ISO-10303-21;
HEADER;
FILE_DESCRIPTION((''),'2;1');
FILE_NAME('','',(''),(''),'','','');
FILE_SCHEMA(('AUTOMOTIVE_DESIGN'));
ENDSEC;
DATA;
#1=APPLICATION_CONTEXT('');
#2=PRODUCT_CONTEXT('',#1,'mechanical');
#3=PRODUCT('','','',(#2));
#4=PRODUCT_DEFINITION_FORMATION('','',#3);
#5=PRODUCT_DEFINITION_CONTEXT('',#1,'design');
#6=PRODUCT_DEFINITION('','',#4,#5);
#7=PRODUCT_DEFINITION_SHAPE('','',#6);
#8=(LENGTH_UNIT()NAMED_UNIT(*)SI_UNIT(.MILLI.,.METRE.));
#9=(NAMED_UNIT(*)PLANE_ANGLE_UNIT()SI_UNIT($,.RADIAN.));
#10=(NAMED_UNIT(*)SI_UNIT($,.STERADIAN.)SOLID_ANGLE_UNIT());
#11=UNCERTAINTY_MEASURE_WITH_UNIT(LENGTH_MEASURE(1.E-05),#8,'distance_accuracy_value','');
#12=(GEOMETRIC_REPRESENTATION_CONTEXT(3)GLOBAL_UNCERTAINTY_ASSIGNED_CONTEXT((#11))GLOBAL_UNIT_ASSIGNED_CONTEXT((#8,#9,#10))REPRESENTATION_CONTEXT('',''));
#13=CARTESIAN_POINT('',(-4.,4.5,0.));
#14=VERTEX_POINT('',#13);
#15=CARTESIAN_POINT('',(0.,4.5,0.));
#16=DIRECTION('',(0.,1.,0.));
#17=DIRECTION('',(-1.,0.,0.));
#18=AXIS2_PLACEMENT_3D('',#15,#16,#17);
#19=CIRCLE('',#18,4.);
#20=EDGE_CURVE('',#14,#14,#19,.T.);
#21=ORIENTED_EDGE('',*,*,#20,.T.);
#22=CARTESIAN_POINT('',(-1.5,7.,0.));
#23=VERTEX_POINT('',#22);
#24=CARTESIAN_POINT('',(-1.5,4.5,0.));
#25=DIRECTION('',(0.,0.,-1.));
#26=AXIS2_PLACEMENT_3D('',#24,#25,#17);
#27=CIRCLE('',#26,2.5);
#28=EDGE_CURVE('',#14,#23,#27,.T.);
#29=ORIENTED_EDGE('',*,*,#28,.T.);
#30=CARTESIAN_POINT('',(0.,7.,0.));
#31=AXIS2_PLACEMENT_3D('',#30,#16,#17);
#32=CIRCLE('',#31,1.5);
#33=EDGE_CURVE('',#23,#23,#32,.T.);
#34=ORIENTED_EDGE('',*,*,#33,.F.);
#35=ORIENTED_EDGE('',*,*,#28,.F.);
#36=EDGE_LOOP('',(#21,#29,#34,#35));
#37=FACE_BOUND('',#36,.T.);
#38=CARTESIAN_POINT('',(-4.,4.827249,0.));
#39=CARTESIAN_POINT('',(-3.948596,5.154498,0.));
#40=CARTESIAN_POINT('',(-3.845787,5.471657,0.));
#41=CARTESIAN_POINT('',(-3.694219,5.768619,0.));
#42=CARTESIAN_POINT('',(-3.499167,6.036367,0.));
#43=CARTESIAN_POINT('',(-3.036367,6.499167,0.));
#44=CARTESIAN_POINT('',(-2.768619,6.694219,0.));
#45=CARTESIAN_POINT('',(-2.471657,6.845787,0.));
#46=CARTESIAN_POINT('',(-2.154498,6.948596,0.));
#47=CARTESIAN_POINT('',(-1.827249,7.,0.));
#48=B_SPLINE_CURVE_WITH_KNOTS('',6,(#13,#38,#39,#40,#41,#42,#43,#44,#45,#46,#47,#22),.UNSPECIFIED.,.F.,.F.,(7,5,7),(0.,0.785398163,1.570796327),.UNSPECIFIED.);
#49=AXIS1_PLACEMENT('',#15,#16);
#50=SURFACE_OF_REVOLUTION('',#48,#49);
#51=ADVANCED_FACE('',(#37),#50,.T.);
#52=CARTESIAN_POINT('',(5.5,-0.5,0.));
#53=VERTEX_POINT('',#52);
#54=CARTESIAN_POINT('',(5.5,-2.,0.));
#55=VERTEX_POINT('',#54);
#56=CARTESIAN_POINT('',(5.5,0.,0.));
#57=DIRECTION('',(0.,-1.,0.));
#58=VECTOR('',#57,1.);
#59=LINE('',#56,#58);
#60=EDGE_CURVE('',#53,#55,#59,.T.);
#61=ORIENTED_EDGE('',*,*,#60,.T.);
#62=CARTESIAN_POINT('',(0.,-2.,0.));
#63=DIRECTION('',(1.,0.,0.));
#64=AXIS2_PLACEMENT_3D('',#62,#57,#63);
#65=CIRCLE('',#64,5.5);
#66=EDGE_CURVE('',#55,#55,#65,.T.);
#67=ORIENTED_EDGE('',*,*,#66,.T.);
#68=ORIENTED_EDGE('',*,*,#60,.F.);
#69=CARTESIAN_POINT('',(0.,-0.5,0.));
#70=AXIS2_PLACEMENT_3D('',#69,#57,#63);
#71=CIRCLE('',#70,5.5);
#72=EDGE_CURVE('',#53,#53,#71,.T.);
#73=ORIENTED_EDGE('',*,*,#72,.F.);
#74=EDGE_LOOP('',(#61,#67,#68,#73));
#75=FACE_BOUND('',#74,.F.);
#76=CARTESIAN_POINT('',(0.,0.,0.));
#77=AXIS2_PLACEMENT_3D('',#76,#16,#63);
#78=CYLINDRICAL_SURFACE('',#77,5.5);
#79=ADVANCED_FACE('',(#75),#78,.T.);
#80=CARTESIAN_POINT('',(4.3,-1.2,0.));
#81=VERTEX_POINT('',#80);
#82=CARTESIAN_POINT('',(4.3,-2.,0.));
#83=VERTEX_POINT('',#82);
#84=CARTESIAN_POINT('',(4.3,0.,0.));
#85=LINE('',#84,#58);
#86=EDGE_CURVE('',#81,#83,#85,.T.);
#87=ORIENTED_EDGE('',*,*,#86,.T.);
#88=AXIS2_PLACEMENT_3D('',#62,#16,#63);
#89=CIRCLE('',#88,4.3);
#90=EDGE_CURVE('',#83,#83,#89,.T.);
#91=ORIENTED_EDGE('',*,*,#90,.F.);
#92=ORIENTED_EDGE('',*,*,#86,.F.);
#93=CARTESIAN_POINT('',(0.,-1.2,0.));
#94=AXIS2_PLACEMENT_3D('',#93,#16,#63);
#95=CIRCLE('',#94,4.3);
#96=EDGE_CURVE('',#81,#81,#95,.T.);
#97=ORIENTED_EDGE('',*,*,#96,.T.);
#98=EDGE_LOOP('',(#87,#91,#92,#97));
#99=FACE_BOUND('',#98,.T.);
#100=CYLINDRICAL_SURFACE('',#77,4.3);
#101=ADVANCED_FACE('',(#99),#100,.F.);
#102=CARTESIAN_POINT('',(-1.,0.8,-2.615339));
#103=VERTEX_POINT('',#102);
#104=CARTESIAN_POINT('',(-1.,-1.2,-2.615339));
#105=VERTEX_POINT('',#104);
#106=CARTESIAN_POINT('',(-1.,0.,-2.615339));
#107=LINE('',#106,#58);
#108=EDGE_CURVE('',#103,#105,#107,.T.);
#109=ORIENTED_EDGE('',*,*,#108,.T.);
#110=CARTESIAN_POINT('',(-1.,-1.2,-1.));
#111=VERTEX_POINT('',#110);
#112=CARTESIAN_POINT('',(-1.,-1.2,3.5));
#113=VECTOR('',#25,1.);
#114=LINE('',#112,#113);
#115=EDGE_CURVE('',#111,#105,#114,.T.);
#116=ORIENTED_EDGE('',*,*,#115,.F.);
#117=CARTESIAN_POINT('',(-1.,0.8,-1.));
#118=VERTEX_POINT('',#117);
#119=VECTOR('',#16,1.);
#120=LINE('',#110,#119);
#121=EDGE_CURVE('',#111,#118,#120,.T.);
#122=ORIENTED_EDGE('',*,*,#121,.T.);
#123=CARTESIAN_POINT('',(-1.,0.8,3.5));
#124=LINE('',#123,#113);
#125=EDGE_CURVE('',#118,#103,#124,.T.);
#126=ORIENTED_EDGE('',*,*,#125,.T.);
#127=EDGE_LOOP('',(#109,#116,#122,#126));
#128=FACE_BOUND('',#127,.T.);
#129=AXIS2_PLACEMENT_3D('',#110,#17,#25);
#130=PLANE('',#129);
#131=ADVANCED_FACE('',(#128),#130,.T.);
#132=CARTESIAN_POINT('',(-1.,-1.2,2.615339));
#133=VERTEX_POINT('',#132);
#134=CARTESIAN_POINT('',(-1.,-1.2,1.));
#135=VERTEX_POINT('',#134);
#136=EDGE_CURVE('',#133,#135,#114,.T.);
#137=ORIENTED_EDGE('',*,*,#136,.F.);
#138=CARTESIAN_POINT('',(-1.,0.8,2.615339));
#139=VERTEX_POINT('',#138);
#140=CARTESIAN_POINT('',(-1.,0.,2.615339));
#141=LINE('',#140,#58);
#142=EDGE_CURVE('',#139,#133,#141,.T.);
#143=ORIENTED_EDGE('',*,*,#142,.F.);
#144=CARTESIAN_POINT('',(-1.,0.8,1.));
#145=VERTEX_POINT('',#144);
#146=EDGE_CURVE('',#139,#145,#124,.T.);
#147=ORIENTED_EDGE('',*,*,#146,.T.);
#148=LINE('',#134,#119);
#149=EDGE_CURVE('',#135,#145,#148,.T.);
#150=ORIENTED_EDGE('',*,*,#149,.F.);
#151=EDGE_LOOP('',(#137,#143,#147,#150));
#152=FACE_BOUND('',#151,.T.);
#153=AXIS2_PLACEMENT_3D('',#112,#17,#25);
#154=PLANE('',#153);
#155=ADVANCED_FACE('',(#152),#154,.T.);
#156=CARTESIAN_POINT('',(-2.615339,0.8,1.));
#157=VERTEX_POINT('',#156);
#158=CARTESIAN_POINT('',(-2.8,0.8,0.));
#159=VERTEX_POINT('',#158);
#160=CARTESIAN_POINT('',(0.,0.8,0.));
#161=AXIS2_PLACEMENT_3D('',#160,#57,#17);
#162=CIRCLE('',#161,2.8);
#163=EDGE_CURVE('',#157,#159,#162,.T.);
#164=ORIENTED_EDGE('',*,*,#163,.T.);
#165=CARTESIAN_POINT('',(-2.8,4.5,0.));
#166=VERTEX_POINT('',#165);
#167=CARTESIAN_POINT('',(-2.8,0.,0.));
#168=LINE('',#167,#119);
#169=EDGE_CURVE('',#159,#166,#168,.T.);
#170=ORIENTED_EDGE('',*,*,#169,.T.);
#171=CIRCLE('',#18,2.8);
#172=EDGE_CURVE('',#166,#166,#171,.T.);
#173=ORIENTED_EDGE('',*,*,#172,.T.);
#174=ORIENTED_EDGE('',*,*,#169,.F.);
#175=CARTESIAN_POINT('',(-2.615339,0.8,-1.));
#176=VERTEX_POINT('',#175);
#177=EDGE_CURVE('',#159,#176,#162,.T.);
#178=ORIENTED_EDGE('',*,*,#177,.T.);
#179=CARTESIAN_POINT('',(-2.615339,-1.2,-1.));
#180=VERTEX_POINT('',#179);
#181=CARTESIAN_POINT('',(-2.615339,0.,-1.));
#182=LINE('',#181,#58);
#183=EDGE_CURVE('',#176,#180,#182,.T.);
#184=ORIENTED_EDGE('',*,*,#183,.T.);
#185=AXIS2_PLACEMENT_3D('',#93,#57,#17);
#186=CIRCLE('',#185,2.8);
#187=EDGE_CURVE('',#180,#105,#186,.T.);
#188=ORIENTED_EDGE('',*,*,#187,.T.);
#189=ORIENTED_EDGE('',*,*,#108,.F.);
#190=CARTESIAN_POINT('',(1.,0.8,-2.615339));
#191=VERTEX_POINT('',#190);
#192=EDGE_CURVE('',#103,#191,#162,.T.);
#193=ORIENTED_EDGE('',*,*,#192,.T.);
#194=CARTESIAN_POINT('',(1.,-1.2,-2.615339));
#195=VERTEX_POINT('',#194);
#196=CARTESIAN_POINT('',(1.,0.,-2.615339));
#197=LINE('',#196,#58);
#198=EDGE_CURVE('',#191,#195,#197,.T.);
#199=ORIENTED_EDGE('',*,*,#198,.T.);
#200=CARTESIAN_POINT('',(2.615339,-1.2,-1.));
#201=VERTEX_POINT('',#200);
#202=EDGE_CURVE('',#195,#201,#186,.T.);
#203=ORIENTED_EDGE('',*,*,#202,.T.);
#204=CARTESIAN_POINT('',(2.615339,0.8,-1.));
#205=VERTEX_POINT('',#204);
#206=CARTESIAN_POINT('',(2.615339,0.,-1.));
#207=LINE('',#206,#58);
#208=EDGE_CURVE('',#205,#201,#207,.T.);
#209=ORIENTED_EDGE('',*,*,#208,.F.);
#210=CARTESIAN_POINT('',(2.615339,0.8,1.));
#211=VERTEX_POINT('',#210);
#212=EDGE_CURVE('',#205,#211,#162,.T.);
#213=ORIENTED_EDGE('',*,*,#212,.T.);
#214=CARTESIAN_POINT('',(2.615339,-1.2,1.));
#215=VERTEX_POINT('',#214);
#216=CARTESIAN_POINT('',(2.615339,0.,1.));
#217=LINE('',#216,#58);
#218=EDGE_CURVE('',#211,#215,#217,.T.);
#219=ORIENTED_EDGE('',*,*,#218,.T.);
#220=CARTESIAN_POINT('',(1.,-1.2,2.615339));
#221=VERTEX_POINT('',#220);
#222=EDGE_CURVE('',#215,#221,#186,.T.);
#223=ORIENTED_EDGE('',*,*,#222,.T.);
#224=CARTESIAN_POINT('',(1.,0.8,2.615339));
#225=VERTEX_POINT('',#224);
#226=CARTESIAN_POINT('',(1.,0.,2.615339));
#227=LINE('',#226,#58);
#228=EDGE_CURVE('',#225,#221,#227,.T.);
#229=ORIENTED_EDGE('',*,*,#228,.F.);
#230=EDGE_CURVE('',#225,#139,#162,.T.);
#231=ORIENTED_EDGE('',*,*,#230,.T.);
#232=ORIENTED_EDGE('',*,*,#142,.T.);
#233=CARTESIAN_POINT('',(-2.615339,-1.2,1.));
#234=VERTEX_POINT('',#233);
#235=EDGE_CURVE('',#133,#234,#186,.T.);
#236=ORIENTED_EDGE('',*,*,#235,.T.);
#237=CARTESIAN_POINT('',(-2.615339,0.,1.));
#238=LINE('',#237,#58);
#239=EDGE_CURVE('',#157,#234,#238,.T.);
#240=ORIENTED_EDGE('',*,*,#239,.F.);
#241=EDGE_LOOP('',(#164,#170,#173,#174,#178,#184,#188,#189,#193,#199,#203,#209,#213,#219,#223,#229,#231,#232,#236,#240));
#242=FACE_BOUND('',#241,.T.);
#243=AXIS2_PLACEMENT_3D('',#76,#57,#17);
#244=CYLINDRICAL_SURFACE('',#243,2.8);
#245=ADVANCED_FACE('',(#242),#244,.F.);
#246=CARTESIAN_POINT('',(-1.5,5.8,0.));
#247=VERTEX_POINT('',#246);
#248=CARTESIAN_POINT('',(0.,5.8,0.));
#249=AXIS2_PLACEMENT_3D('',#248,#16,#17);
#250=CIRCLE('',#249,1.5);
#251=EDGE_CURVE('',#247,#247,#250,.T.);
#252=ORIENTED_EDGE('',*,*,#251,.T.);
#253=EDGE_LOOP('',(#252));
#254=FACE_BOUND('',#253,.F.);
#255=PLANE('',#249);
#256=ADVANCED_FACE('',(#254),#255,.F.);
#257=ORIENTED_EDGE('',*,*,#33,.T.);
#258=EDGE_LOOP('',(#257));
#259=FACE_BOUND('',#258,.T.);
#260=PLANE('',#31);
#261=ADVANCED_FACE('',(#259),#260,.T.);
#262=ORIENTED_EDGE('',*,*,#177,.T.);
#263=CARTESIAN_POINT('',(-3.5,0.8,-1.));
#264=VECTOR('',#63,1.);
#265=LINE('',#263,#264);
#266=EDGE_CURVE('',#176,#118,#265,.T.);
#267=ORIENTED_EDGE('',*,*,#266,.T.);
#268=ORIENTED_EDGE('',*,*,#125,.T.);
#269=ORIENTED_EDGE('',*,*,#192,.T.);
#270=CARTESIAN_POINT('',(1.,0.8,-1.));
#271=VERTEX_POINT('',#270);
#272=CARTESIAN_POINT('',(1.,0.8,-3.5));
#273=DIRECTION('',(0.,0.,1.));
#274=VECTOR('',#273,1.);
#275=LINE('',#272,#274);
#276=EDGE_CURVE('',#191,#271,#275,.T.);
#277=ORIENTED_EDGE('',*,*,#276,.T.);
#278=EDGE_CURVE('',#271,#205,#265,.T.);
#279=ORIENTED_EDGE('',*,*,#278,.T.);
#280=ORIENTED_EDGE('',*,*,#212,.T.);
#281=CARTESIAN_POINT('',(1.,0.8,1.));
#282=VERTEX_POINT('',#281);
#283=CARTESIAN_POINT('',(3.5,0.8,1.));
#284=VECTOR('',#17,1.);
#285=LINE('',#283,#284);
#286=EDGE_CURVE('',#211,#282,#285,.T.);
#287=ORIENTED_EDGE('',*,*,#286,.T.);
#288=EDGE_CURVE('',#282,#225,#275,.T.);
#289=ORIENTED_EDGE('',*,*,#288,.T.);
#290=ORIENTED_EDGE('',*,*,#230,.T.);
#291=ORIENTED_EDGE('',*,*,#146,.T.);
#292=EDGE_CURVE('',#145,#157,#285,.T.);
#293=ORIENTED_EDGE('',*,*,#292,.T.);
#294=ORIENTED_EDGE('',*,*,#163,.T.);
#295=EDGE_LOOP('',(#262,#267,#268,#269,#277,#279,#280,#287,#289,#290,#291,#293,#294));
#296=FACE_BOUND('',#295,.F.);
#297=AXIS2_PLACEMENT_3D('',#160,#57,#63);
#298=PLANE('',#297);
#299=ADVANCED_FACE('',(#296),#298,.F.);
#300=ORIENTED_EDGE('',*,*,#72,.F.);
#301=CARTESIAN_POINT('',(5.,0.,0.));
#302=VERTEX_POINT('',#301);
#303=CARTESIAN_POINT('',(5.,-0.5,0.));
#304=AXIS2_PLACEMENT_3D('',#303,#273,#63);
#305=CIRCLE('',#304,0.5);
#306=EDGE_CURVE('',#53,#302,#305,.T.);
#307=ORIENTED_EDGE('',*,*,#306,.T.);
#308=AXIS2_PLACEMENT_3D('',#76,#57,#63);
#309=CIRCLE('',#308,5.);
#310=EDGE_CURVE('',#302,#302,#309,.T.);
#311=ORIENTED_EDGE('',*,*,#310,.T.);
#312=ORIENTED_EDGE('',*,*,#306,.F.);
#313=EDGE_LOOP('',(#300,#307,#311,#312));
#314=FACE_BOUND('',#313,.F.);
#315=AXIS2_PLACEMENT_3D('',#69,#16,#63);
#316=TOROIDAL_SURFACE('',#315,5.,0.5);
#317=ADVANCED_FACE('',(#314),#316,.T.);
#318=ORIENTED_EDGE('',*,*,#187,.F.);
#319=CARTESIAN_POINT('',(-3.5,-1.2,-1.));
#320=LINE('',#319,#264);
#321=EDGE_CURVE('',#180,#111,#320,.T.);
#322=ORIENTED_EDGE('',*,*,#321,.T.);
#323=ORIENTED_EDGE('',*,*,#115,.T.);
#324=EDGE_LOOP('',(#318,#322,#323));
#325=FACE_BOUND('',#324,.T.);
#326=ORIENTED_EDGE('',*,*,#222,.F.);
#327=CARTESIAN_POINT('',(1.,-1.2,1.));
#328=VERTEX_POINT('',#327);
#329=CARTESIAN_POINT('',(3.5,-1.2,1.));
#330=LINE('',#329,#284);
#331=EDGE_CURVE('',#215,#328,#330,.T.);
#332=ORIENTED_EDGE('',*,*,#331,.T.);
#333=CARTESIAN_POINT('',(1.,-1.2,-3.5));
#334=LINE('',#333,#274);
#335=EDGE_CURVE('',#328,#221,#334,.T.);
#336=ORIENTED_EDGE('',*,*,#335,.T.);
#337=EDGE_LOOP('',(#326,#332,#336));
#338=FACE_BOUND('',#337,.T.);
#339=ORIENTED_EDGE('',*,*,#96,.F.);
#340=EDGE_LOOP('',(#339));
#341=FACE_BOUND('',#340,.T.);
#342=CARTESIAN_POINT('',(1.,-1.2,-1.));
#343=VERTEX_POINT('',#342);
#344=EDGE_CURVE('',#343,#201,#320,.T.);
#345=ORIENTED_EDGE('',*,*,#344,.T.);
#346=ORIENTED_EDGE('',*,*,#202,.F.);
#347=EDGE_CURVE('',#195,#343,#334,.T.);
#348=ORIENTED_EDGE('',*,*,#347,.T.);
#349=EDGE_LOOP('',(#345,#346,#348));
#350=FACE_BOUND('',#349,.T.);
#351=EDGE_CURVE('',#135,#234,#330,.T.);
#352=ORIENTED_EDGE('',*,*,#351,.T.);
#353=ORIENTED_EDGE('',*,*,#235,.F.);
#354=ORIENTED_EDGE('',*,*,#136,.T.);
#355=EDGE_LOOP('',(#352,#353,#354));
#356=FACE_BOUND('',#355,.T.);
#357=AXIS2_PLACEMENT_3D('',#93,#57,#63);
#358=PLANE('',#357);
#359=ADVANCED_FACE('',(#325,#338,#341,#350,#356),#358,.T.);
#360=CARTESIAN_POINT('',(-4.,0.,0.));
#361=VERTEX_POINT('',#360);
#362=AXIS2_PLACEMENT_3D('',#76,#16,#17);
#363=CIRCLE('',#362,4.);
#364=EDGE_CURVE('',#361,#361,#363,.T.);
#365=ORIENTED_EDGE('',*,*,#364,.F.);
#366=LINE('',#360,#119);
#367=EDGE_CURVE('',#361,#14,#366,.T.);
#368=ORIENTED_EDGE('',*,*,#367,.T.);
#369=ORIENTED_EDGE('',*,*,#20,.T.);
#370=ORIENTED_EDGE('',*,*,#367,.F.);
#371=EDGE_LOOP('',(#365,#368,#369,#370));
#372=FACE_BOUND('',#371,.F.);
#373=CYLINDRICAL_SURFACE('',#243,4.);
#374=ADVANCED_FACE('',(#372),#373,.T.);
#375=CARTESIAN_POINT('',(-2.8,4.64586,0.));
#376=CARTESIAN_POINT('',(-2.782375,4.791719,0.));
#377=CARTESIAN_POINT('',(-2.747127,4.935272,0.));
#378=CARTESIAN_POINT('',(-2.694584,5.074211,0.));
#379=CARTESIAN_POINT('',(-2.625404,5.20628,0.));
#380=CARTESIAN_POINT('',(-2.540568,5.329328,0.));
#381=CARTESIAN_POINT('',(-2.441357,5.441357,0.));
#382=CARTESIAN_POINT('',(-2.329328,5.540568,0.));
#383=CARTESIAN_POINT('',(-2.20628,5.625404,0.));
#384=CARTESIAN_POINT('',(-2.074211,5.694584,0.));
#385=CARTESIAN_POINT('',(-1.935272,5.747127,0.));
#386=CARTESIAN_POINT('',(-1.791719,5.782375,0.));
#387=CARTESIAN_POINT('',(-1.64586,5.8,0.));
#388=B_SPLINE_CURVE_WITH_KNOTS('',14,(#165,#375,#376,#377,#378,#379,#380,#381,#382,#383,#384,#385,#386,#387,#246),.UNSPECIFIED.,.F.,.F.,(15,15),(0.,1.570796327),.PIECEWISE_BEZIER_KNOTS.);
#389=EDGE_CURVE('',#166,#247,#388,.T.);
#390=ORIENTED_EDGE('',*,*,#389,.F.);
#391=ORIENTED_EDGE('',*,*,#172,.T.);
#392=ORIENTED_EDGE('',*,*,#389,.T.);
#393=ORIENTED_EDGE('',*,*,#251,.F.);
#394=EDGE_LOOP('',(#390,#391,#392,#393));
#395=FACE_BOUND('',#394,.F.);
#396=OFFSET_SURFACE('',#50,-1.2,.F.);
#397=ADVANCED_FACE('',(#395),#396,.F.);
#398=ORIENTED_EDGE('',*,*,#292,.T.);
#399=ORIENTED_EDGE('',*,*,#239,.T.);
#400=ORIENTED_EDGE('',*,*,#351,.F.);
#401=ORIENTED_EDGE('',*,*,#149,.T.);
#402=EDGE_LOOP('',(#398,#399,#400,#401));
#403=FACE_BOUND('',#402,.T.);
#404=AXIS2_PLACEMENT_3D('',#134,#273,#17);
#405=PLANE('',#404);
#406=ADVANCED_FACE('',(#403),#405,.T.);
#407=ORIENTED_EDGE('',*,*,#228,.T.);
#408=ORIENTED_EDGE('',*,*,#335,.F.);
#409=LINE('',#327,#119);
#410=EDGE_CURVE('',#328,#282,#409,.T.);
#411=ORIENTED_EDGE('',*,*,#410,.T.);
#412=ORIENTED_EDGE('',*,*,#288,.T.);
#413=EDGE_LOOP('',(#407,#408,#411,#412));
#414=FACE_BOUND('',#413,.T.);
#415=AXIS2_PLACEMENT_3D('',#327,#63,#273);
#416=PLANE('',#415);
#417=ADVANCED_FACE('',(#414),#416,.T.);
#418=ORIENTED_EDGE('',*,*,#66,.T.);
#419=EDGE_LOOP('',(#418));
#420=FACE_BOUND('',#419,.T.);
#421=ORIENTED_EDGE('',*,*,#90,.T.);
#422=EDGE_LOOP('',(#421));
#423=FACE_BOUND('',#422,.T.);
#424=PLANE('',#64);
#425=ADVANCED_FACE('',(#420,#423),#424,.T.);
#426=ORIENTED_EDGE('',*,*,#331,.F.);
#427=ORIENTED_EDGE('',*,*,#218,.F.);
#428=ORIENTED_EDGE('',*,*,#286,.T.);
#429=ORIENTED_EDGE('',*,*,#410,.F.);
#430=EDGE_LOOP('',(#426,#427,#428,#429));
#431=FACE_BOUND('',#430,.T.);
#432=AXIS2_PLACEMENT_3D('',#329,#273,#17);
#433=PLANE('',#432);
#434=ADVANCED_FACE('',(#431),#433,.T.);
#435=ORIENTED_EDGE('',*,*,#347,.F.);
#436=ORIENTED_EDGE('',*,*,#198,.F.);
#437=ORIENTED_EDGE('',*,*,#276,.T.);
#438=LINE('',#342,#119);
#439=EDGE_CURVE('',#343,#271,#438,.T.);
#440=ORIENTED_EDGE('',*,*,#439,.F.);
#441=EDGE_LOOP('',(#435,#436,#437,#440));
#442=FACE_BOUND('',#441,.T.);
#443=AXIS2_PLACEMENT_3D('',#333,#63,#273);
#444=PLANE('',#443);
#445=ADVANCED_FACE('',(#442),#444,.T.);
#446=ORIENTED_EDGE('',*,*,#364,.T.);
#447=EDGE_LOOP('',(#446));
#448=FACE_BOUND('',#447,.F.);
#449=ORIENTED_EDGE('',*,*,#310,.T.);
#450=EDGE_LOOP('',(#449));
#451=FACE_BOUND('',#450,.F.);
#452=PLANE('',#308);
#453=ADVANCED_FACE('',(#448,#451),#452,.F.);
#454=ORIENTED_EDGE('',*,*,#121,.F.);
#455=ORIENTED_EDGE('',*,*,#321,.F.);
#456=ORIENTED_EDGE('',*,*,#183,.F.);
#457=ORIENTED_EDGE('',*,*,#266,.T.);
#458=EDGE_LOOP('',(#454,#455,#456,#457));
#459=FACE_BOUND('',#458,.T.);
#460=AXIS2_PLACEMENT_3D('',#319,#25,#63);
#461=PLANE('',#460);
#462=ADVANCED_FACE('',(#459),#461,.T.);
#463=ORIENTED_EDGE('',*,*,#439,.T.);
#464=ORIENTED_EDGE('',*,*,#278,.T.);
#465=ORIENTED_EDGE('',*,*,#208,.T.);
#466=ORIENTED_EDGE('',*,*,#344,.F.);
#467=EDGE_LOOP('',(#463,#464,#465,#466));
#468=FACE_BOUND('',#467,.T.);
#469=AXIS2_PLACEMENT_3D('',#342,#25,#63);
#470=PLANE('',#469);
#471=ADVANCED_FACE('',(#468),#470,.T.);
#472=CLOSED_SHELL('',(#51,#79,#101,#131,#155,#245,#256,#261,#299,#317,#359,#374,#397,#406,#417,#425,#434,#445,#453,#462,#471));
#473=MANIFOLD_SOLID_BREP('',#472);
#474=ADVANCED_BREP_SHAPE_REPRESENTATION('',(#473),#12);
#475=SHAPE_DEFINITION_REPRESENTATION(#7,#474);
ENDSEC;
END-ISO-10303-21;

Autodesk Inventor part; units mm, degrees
ref_plane "YZ Plane" through (0, 0, 0) normal (1, 0, 0) x (0, 1, 0)
ref_plane "XZ Plane" through (0, 0, 0) normal (0, 1, 0) x (-1, 0, 0)
ref_plane "XY Plane" through (0, 0, 0) normal (0, 0, 1) x (1, 0, 0)
sketch "Esquisse1" plane through (0, 0, 0) normal (0, 1, 0) x (-1, 0, 0)
  circle A0 centre (0, 0) radius 4
  dimension "d0" = 8
extrude "Extrusion1" add sketch "Esquisse1" along normal blind 7
fillet "Congé1" radius 2.5 1 edges at (4, 7, 0)
sketch "Esquisse2" plane through (0, 0, 0) normal (0, -1, 0) x (1, 0, 0)
  circle A0 centre (0, 0) radius 5.5
  dimension "d4" = 11
extrude "Extrusion2" add sketch "Esquisse2" along normal blind 2
sketch "Esquisse3" plane through (0, -2, 0) normal (0, -1, 0) x (1, 0, 0)
  point P0 (0, 0)
shell "Coque1" thickness 1.2 removed faces 1 at (1.6766, -2, 0.4132)
sketch "Esquisse4" plane through (0, -1.2, 0) normal (0, -1, 0) x (1, 0, 0)
  line L0 (3.5, 1) -> (-3.5, 1)
  line L1 (-3.5, 1) -> (-3.5, -1)
  line L2 (-3.5, -1) -> (3.5, -1)
  line L3 (3.5, -1) -> (3.5, 1)
  line L4 (1, 3.5) -> (-1, 3.5)
  line L5 (-1, 3.5) -> (-1, -3.5)
  line L6 (-1, -3.5) -> (1, -3.5)
  line L7 (1, -3.5) -> (1, 3.5)
  point P0 (0, 0)
  dimension "d8" = 2
  dimension "d9" = 2
  dimension "d10" = 7
  dimension "d11" = 3.5
  dimension "d12" = 7
  dimension "d13" = 3.5
  dimension "d14" = 1
  dimension "d15" = 1
extrude "Extrusion3" add sketch "Esquisse4" against normal blind 2
fillet "Congé2" radius 0.5 1 edges at (-5.5, 0, 0)
equation "\"d9\" = d8"
equation "\"d11\" = 0.5 * d10"
equation "\"d12\" = d10"
equation "\"d13\" = 0.5 * d12"
equation "\"d14\" = 0.5 * d9"
equation "\"d15\" = 0.5 * d8"
properties part number "Button" material "Plastique ABS"
